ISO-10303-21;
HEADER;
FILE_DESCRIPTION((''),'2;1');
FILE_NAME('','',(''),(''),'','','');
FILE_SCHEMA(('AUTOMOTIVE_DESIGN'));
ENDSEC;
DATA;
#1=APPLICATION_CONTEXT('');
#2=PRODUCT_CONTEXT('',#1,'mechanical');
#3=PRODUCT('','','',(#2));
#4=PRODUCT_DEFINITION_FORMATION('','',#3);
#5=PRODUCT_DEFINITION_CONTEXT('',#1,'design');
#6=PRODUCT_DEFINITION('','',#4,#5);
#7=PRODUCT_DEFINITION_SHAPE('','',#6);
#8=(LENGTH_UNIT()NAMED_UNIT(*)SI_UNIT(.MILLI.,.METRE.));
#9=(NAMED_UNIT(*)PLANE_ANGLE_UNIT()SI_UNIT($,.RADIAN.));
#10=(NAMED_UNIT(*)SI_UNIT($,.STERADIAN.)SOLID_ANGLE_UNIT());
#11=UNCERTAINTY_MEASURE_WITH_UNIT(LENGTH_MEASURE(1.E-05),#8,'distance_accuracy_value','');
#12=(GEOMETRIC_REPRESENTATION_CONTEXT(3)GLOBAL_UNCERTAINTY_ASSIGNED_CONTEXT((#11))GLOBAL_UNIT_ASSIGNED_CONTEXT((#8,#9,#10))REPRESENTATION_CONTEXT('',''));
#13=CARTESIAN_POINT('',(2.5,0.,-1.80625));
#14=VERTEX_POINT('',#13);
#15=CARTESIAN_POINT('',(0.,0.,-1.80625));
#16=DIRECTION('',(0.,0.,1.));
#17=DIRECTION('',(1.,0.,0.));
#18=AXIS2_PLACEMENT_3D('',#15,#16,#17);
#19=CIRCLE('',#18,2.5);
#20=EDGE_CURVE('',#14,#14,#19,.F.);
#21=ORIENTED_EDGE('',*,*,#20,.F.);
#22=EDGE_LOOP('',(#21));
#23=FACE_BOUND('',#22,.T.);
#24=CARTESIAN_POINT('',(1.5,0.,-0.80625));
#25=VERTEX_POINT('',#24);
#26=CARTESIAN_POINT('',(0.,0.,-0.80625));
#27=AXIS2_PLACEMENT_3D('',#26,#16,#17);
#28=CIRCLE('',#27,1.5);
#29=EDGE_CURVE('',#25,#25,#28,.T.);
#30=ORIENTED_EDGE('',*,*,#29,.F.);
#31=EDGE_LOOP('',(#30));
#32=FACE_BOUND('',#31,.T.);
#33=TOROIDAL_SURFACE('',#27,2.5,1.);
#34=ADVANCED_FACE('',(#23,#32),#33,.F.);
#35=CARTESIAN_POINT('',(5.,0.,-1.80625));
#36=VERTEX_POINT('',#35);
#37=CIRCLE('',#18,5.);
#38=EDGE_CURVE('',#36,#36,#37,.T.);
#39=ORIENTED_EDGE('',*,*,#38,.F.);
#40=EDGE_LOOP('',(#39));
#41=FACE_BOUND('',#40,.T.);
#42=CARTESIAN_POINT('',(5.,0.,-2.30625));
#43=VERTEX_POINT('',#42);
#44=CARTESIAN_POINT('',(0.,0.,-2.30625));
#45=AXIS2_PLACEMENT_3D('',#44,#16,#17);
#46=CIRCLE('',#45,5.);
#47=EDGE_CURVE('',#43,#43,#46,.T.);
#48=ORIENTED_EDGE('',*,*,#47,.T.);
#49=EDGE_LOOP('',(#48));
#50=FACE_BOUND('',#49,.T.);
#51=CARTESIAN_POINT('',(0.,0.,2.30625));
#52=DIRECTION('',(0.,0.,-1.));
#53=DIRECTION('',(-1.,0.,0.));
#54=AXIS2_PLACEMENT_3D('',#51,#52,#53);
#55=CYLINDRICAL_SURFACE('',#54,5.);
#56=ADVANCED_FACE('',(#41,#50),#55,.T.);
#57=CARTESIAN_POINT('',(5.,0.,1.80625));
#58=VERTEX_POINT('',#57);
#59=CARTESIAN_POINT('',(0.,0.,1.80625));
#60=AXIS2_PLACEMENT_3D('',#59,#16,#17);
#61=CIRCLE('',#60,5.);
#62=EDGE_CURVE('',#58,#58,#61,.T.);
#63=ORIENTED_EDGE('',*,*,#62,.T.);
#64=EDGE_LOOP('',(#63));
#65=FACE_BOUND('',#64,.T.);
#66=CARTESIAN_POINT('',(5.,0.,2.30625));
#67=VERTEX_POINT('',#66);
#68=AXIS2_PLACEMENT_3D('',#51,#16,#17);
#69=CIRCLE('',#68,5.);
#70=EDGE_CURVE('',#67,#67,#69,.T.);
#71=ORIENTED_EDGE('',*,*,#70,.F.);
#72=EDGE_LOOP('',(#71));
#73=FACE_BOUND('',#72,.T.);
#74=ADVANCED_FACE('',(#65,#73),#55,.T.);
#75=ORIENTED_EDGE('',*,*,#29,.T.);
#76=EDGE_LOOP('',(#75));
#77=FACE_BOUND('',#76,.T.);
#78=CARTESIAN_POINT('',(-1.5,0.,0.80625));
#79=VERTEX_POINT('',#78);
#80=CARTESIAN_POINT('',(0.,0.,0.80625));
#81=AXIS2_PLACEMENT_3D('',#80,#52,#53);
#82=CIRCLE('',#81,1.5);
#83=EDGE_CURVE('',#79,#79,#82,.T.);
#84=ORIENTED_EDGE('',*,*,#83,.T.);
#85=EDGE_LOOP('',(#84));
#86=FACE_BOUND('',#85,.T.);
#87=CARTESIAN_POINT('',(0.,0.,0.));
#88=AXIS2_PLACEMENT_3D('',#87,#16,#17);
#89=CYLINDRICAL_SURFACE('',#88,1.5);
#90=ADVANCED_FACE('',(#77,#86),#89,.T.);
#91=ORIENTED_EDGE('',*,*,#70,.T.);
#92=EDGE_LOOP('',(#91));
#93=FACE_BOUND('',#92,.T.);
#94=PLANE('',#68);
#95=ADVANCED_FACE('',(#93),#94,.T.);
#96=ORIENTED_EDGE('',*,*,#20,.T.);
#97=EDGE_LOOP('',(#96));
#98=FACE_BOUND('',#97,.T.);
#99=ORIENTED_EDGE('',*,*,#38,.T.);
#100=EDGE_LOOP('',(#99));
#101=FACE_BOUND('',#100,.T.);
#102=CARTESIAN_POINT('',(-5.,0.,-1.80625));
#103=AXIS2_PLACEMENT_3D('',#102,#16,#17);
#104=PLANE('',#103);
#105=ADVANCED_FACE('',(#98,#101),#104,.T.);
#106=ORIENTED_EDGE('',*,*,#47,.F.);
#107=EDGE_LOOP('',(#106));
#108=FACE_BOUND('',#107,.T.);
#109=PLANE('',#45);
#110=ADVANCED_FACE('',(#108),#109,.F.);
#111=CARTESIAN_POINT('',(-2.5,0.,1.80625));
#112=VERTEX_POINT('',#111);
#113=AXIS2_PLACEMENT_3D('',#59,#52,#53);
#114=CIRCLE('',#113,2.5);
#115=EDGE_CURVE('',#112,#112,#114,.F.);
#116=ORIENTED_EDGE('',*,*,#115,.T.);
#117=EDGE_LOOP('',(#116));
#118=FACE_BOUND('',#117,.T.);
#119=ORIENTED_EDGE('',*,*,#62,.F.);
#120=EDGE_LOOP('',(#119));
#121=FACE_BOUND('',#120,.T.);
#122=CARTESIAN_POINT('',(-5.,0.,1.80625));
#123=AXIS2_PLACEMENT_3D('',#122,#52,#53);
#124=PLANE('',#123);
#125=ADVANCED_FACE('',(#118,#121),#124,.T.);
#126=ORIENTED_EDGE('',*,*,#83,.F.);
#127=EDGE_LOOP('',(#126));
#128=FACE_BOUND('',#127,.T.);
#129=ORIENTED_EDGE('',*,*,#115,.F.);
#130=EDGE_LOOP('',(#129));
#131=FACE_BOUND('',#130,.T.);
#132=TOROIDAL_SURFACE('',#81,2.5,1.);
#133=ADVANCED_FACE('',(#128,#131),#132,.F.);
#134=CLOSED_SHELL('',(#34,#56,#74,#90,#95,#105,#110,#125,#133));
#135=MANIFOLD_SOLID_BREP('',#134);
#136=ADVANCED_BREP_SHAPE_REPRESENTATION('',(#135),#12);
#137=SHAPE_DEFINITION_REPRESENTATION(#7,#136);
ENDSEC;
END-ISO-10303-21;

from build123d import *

# Parameters (mm, degrees)
SKETCH7_R      = 5
EXTRUDE5_DEPTH = 2.30625
SKETCH8_W      = 3.5
SKETCH8_H      = 3.6125
FILLET1_R      = 1


with BuildPart() as part:
    # Sketch7 → Extrude5 (new body, symmetric)
    with BuildSketch(Plane.XY):
        Circle(SKETCH7_R)
    extrude(amount=EXTRUDE5_DEPTH, both=True)

    # Sketch8 → Cut-Revolve1 (revolve, cut)
    with BuildSketch(Plane(origin=(0, 0, 0), x_dir=(1, 0, 0), z_dir=(0, 1, 0)), mode=Mode.PRIVATE) as cut_revolve1_sk:
        with Locations((-3.25, 0)):
            Rectangle(SKETCH8_W, SKETCH8_H)
    revolve(cut_revolve1_sk.sketch.rotate(Axis((0, 0, 0), (0, 0, -1)), 180), axis=Axis((0, 0, 0), (0, 0, -1)), mode=Mode.SUBTRACT)  # turned: the seam where the file's is

    # Fillet1
    fillet1_edges = [part.edges().sort_by_distance(p)[0] for p in [
        (-1.5, 0, 1.80625),
        (-1.5, 0, -1.80625),
    ]]
    fillet(fillet1_edges, radius=FILLET1_R)


solid = part.part
